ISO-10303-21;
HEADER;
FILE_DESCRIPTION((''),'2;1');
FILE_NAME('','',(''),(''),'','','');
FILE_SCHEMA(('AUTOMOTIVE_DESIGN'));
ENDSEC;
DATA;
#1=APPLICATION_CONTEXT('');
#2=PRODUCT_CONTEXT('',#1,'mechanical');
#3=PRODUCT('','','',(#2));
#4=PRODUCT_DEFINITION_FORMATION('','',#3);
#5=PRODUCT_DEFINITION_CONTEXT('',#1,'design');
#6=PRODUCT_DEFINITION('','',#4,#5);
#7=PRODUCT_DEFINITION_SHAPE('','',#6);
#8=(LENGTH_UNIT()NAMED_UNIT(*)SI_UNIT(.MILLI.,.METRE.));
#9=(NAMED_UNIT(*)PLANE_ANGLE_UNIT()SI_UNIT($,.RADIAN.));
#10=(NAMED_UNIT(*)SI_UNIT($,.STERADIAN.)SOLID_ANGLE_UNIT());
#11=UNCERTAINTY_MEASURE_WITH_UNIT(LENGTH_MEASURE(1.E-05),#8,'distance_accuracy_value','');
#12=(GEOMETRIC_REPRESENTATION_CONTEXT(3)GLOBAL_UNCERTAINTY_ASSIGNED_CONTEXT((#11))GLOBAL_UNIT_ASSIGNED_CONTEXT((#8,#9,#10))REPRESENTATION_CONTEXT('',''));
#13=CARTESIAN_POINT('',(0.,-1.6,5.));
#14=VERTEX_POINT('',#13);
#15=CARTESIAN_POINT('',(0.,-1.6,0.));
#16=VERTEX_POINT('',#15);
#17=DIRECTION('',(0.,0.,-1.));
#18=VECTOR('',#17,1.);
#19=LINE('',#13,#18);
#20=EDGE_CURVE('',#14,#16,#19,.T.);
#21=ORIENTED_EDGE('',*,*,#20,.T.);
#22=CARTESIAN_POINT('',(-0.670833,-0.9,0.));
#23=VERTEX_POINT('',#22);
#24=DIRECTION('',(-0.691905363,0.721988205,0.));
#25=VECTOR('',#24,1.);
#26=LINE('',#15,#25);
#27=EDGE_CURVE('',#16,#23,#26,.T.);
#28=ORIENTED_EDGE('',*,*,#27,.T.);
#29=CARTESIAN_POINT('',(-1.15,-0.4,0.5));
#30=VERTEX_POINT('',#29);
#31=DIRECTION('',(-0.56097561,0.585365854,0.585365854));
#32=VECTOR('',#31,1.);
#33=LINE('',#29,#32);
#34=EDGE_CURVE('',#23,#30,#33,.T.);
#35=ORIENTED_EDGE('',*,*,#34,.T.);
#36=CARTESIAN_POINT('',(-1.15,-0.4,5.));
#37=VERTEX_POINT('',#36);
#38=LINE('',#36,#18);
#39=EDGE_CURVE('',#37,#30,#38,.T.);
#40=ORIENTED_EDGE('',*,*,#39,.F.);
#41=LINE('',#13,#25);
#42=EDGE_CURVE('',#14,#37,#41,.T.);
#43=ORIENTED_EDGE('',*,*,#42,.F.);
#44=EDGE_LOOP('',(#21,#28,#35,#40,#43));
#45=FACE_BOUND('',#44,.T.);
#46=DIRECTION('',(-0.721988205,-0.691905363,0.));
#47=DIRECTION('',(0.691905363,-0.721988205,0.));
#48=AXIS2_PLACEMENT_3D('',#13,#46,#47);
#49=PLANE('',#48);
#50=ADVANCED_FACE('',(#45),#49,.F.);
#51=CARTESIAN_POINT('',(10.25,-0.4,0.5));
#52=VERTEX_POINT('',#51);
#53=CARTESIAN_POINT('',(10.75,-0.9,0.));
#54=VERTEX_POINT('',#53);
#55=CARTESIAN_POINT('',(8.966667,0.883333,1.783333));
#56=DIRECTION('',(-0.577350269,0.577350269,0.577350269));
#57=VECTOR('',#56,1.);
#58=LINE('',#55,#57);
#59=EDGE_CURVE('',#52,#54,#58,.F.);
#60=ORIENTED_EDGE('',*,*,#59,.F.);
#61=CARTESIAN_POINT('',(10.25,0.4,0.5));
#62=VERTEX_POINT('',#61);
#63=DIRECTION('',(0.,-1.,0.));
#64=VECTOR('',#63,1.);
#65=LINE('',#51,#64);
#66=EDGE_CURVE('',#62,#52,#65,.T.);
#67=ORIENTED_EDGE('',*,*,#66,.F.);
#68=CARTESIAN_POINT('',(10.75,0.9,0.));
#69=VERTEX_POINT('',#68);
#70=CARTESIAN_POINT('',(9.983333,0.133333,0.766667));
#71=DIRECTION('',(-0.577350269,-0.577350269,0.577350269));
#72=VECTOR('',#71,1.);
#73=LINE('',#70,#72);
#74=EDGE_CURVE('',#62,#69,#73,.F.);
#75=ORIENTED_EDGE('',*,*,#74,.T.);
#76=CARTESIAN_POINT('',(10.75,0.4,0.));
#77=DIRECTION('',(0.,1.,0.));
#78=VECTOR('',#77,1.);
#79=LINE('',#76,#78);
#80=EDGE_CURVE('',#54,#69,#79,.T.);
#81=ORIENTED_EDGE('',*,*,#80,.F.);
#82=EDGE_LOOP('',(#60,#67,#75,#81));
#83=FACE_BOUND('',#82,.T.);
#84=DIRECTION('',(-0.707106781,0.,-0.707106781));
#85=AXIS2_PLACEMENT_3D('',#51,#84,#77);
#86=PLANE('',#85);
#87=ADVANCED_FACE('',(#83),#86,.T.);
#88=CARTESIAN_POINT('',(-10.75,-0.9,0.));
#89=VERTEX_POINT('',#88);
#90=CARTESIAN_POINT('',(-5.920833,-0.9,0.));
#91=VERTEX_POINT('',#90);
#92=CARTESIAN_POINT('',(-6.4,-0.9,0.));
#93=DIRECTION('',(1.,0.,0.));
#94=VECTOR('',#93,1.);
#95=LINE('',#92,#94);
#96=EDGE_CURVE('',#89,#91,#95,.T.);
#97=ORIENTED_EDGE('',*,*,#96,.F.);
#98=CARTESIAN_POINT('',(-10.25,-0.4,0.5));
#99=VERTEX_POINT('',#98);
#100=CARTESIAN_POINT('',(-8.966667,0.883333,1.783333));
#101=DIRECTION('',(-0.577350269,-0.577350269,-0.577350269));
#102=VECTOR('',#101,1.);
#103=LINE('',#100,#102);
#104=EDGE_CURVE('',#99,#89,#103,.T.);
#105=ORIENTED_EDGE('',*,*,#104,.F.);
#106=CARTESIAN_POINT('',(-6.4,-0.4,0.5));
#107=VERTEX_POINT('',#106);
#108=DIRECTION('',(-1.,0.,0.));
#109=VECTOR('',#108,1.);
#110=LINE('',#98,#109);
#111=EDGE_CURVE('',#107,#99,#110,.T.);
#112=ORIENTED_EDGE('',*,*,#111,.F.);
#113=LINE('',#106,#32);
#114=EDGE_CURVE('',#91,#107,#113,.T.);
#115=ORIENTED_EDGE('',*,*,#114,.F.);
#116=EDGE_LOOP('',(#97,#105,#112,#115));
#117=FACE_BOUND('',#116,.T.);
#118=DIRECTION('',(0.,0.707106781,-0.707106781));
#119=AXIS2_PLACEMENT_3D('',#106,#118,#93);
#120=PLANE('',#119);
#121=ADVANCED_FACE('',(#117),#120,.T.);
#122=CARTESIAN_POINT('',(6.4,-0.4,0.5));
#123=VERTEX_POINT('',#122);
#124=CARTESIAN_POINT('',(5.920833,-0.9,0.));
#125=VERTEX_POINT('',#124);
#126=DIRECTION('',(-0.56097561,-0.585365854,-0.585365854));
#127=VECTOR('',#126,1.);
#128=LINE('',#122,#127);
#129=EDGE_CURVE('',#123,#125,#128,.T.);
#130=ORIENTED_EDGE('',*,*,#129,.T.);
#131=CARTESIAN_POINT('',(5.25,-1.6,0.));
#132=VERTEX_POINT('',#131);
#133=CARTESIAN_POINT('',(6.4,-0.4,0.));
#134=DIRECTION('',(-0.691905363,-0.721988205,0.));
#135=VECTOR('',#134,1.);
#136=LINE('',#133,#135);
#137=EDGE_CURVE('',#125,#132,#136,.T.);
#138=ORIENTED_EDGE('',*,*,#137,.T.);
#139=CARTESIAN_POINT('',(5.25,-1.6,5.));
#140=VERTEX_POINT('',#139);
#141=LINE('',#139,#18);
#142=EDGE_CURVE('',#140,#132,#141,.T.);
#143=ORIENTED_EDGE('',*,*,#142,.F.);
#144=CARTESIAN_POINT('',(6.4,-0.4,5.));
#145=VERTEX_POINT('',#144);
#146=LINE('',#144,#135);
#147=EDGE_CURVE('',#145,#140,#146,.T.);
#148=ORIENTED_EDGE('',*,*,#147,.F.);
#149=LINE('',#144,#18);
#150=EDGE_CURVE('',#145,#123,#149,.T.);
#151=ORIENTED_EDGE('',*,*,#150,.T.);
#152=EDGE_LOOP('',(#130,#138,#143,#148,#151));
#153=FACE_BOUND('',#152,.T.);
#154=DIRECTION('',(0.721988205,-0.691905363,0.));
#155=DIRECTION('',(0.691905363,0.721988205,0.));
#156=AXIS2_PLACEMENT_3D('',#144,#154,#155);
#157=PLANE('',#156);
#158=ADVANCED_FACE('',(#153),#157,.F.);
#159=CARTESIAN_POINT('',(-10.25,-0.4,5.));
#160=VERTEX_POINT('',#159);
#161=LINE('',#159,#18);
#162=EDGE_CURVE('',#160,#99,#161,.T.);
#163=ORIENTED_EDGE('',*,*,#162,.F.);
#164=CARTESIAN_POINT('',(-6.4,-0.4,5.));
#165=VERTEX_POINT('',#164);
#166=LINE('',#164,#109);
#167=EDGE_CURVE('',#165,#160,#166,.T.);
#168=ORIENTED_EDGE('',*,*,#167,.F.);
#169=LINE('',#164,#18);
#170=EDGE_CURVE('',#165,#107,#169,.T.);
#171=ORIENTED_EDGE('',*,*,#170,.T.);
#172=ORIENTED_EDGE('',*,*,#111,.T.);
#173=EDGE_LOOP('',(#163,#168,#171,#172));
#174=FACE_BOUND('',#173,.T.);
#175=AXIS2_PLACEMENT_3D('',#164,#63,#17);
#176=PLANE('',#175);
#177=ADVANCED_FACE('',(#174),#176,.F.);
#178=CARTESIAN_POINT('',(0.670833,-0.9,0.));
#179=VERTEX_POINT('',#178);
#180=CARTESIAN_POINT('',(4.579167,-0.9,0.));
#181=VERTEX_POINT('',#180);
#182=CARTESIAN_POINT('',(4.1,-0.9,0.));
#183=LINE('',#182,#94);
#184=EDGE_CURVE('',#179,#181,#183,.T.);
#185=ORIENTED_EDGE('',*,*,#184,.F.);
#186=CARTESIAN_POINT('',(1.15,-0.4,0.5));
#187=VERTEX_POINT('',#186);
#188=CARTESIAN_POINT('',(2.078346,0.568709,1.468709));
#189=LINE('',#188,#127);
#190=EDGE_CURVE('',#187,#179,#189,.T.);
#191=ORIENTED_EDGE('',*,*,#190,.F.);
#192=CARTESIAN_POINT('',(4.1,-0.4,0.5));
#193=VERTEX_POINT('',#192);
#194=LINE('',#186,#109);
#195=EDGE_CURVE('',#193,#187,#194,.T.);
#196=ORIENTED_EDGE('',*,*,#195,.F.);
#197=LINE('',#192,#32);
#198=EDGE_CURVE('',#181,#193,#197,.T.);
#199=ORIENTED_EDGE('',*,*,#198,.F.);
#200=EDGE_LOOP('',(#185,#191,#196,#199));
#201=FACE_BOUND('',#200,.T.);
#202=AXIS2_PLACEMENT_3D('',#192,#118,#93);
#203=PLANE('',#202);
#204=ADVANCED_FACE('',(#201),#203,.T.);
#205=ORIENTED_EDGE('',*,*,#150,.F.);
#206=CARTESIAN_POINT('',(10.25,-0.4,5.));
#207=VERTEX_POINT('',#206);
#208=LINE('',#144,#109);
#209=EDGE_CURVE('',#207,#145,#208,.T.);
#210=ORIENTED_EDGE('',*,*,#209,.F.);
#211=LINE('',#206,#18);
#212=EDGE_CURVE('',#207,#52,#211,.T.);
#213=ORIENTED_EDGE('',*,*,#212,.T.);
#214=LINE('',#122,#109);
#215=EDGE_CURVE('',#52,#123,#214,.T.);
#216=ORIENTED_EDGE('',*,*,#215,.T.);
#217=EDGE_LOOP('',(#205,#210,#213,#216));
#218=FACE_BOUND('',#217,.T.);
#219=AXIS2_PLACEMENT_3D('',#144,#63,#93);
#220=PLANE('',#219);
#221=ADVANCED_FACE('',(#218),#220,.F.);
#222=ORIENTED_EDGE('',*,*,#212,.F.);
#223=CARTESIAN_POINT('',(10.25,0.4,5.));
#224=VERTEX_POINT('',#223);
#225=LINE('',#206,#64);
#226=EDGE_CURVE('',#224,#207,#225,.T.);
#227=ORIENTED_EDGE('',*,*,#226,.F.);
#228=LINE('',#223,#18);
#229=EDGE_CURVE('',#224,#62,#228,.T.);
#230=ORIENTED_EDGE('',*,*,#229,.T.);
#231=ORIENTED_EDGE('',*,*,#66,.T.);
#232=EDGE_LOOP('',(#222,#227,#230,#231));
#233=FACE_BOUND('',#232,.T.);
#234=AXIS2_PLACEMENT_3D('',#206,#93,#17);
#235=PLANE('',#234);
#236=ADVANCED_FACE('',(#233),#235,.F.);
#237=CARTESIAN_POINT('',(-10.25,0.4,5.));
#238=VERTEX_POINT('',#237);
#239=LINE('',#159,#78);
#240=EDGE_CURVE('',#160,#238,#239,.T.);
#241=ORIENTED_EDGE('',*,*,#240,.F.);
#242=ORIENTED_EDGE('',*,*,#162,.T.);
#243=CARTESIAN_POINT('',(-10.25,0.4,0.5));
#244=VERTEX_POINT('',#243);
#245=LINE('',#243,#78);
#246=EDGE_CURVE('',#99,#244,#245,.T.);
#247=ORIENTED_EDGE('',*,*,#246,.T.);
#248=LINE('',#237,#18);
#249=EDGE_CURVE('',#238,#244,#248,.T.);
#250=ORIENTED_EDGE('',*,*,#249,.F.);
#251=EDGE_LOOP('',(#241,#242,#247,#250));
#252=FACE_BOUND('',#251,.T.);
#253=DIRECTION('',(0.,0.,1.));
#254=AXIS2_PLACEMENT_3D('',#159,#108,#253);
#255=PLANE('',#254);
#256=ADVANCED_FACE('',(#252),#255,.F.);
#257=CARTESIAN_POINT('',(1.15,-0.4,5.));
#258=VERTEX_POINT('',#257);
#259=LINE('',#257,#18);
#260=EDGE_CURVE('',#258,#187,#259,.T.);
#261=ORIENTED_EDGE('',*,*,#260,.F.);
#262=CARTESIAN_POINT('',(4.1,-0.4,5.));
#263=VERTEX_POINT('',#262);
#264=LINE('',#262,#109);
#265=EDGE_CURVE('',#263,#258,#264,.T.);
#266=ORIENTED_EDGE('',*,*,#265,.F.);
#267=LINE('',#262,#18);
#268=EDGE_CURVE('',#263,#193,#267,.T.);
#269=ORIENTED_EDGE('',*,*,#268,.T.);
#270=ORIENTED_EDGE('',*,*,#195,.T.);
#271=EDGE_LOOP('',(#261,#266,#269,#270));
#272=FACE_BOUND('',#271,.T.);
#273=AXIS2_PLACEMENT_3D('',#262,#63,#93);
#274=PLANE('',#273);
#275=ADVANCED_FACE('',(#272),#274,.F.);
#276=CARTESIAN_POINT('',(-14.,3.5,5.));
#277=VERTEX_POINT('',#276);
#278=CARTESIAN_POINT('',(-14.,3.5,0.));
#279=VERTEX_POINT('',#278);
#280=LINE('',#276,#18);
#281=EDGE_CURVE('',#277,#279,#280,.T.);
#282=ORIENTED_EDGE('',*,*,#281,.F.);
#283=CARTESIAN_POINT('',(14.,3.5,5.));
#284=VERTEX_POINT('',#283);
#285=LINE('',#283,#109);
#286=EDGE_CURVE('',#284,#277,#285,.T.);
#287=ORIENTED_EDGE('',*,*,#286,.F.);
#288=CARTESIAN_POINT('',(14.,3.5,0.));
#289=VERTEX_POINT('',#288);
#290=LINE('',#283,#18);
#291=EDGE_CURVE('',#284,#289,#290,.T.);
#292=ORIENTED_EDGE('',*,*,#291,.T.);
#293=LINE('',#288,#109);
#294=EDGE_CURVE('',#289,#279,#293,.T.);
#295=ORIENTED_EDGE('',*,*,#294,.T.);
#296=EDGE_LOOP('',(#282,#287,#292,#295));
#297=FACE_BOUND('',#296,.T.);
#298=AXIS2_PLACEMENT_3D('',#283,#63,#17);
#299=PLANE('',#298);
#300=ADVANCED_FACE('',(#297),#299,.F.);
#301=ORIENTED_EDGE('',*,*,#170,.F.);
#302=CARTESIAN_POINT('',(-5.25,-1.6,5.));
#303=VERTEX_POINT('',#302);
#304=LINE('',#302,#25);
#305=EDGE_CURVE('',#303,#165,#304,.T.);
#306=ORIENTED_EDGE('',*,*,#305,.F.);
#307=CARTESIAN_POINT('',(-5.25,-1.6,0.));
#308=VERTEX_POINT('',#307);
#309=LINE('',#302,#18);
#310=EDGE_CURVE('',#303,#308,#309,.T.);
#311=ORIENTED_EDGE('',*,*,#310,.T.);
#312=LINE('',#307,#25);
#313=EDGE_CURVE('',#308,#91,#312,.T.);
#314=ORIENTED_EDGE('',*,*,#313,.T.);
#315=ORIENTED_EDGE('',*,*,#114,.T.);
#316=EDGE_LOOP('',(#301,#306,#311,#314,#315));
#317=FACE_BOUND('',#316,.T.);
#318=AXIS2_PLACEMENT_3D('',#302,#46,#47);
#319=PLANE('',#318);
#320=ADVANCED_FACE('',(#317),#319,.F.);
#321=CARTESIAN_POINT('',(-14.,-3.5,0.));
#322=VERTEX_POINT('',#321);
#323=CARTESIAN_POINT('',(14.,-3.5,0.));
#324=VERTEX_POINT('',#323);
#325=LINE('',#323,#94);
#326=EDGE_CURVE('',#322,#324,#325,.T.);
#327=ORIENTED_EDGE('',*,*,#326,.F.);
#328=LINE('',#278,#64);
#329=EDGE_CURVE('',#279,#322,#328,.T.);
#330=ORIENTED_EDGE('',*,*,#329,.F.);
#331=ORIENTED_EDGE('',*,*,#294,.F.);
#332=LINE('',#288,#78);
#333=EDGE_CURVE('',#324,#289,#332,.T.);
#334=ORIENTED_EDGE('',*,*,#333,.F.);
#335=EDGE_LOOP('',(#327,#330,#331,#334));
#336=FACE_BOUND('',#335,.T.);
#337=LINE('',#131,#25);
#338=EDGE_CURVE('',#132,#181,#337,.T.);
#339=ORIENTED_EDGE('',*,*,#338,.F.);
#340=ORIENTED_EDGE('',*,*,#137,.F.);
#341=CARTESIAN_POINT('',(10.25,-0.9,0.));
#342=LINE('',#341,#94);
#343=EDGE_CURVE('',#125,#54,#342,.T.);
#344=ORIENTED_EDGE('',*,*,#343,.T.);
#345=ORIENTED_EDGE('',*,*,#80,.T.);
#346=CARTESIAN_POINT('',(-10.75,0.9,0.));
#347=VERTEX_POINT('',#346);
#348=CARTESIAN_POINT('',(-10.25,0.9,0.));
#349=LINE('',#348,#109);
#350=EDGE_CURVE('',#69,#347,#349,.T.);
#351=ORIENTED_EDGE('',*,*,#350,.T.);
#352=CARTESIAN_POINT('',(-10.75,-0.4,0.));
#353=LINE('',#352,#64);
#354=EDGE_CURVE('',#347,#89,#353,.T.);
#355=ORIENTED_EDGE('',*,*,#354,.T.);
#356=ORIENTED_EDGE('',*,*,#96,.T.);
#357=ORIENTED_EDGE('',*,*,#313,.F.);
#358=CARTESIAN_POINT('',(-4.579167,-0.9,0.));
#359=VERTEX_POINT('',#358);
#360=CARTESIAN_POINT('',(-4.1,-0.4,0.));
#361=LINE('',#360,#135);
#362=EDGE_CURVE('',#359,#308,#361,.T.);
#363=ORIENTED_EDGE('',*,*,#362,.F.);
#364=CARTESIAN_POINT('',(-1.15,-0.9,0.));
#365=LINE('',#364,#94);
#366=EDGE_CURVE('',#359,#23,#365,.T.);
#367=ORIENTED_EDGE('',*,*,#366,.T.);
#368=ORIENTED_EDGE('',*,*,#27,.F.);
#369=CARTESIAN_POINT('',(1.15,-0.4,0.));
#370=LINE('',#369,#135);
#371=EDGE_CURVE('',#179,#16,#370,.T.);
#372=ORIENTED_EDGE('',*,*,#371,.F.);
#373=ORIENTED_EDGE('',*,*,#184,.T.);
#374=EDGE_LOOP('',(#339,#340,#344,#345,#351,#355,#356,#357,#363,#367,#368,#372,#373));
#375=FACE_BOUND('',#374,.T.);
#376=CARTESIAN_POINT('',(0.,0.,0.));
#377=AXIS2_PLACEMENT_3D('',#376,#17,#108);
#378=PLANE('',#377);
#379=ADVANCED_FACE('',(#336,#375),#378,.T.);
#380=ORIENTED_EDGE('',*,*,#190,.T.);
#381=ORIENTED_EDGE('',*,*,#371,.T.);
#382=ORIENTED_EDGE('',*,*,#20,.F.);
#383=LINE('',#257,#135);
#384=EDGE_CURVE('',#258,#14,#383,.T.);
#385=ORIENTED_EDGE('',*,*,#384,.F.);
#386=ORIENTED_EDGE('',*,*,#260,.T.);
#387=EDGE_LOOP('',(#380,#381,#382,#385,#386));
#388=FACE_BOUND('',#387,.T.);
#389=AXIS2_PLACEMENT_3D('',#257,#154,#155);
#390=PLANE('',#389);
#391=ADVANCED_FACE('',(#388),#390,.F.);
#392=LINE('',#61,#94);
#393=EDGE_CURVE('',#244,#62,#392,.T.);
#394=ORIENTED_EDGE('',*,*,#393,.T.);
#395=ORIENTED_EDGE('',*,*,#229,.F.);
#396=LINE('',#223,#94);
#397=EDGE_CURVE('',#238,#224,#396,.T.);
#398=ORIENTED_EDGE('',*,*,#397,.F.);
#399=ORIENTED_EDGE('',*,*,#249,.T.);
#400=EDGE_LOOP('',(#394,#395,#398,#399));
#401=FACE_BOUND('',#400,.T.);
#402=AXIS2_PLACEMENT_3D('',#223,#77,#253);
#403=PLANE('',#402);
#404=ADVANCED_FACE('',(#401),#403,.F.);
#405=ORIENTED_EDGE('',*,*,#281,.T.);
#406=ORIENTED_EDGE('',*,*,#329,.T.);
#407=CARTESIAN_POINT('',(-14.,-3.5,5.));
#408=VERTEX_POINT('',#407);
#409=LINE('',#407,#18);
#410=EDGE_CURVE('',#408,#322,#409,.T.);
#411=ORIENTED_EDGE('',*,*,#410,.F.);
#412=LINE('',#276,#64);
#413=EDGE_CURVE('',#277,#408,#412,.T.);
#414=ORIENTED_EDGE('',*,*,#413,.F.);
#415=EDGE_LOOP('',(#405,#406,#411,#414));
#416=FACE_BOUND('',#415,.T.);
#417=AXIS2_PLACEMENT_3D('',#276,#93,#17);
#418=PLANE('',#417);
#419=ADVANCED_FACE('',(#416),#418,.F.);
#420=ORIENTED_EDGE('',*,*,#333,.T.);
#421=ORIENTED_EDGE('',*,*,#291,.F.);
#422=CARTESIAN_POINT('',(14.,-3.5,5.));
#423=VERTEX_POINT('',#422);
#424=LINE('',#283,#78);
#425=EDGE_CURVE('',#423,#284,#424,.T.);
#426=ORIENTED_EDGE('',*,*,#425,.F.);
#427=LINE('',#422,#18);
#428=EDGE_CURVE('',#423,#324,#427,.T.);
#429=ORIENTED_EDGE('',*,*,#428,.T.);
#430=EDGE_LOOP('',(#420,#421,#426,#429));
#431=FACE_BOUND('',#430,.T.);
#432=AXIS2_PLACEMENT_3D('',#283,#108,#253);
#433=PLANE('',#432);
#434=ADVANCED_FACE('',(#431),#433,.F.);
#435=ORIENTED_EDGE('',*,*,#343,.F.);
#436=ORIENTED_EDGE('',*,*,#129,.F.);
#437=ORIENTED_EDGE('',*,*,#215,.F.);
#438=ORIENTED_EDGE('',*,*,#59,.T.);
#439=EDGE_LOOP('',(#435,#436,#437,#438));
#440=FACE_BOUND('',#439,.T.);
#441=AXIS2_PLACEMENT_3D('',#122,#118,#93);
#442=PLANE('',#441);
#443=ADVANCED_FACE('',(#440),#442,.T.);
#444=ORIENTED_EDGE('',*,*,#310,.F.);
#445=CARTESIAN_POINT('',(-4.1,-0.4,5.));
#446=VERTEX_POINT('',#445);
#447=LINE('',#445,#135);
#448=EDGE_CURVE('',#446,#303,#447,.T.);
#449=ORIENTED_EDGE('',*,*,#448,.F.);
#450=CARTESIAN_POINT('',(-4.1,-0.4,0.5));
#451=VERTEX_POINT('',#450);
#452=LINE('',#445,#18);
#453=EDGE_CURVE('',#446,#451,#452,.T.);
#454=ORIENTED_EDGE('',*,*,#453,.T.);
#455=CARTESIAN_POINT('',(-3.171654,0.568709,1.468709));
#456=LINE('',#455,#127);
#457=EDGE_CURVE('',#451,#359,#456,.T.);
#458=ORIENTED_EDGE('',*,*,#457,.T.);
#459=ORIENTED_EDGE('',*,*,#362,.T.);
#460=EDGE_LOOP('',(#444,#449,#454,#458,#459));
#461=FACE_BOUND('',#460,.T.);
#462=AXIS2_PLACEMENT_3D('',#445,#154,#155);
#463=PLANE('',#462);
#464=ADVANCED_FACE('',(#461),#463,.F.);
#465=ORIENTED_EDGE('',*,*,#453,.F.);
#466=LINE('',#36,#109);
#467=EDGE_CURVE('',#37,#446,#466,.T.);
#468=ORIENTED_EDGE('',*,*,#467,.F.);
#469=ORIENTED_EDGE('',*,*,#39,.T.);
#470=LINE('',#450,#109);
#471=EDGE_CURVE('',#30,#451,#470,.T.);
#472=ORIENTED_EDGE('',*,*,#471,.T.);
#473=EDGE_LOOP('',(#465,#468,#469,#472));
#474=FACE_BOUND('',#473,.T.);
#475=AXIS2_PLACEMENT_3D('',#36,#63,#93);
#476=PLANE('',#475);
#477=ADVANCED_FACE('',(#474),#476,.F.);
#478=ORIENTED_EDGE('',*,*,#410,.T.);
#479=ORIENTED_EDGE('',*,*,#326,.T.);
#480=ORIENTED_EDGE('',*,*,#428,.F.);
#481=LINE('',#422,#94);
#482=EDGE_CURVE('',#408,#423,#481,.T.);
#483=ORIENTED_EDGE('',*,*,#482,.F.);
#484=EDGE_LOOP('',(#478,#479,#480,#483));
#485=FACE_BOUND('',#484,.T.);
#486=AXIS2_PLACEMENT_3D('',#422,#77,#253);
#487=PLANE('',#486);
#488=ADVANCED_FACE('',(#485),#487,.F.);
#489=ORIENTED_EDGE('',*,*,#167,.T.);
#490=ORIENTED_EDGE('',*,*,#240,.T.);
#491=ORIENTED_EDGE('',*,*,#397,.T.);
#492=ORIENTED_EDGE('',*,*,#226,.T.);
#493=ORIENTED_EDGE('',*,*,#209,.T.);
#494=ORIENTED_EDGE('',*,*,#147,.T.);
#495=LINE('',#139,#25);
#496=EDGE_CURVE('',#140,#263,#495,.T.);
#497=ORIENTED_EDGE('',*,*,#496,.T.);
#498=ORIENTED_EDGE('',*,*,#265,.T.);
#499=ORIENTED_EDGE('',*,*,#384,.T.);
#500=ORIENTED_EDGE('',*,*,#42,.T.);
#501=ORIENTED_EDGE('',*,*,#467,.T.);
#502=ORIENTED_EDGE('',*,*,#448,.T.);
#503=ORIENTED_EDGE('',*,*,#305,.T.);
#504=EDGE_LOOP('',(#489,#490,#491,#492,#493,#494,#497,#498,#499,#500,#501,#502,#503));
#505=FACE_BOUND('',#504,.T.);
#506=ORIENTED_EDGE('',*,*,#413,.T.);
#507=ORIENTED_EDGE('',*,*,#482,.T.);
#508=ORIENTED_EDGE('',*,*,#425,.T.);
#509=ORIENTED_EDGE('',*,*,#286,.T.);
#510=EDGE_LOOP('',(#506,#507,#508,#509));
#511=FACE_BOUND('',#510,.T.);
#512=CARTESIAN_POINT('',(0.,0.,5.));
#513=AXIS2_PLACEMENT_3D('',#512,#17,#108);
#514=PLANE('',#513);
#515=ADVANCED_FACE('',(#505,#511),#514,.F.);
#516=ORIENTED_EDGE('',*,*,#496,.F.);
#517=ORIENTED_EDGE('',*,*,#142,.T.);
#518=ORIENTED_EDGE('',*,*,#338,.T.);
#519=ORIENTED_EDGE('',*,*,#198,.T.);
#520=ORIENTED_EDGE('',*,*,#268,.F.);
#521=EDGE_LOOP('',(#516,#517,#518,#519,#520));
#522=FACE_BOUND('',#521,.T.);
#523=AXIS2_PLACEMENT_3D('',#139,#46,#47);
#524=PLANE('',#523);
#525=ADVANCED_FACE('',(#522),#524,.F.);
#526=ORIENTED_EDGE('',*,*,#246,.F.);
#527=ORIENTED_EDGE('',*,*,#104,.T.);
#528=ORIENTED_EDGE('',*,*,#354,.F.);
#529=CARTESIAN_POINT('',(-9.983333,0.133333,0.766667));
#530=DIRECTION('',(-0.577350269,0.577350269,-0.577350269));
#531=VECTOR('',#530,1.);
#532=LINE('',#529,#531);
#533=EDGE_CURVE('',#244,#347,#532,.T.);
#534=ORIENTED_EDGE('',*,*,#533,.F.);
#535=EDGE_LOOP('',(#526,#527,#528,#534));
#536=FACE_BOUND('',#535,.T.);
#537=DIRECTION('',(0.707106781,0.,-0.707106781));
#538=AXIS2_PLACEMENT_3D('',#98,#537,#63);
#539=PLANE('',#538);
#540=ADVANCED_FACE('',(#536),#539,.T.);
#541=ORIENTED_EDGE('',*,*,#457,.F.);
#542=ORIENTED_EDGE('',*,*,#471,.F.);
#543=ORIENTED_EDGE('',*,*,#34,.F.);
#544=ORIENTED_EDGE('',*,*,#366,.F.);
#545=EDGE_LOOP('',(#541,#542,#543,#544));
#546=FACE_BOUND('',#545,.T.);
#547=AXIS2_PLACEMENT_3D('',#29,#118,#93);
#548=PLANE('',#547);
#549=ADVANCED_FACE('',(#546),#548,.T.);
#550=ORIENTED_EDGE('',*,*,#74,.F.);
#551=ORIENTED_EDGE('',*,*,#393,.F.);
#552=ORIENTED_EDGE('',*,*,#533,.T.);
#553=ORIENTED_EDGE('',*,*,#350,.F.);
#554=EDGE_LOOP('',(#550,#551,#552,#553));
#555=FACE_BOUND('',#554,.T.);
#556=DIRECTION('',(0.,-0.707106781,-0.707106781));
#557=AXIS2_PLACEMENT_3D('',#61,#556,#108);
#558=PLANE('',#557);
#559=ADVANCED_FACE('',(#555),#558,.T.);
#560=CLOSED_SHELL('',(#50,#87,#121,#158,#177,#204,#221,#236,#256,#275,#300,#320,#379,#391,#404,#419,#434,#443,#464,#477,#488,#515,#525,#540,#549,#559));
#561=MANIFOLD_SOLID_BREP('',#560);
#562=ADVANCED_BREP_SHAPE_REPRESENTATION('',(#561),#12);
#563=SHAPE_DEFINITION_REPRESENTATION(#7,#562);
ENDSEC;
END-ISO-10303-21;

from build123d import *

# Parameters (mm, degrees)
SKETCH_1_W          = 28
SKETCH_1_H          = 7
EXTRUDE_1_DEPTH     = 5
CUT_EXTRUDE_1_DEPTH = 16.272524349
CHAMFER_1_SIZE      = 0.5


with BuildPart() as part:
    # Эскиз1 → Бобышка-Вытянуть1 (new body)
    with BuildSketch(Plane(origin=(0, 66.754264805, 0), x_dir=(-1, 0, 0), z_dir=(0, 0, 1))):
        with Locations((0, 66.754264805)):
            Rectangle(SKETCH_1_W, SKETCH_1_H)
    extrude(amount=EXTRUDE_1_DEPTH)

    # Эскиз4 → Вырез-Вытянуть1 (cut, through all)
    with BuildSketch(Plane(origin=(0, 0, 0), x_dir=(-1, 0, 0), z_dir=(0, 0, -1))):
        Polygon((-10.25, -0.4), (-10.25, 0.4), (10.25, 0.4), (10.25, -0.4), (6.4, -0.4), (5.25, -1.6), (4.1, -0.4), (1.15, -0.4), (0, -1.6), (-1.15, -0.4), (-4.1, -0.4), (-5.25, -1.6), (-6.4, -0.4), align=None)
    extrude(amount=-CUT_EXTRUDE_1_DEPTH, mode=Mode.SUBTRACT)

    # Фаска1
    chamfer_1_edges = [part.edges().sort_by_distance(p)[0] for p in [
        (8.325, -0.4, 0),
        (2.625, -0.4, 0),
        (-2.625, -0.4, 0),
        (-8.325, -0.4, 0),
        (-10.25, 0, 0),
        (0, 0.4, 0),
        (10.25, 0, 0),
    ]]
    chamfer(chamfer_1_edges, length=CHAMFER_1_SIZE)


solid = part.part
